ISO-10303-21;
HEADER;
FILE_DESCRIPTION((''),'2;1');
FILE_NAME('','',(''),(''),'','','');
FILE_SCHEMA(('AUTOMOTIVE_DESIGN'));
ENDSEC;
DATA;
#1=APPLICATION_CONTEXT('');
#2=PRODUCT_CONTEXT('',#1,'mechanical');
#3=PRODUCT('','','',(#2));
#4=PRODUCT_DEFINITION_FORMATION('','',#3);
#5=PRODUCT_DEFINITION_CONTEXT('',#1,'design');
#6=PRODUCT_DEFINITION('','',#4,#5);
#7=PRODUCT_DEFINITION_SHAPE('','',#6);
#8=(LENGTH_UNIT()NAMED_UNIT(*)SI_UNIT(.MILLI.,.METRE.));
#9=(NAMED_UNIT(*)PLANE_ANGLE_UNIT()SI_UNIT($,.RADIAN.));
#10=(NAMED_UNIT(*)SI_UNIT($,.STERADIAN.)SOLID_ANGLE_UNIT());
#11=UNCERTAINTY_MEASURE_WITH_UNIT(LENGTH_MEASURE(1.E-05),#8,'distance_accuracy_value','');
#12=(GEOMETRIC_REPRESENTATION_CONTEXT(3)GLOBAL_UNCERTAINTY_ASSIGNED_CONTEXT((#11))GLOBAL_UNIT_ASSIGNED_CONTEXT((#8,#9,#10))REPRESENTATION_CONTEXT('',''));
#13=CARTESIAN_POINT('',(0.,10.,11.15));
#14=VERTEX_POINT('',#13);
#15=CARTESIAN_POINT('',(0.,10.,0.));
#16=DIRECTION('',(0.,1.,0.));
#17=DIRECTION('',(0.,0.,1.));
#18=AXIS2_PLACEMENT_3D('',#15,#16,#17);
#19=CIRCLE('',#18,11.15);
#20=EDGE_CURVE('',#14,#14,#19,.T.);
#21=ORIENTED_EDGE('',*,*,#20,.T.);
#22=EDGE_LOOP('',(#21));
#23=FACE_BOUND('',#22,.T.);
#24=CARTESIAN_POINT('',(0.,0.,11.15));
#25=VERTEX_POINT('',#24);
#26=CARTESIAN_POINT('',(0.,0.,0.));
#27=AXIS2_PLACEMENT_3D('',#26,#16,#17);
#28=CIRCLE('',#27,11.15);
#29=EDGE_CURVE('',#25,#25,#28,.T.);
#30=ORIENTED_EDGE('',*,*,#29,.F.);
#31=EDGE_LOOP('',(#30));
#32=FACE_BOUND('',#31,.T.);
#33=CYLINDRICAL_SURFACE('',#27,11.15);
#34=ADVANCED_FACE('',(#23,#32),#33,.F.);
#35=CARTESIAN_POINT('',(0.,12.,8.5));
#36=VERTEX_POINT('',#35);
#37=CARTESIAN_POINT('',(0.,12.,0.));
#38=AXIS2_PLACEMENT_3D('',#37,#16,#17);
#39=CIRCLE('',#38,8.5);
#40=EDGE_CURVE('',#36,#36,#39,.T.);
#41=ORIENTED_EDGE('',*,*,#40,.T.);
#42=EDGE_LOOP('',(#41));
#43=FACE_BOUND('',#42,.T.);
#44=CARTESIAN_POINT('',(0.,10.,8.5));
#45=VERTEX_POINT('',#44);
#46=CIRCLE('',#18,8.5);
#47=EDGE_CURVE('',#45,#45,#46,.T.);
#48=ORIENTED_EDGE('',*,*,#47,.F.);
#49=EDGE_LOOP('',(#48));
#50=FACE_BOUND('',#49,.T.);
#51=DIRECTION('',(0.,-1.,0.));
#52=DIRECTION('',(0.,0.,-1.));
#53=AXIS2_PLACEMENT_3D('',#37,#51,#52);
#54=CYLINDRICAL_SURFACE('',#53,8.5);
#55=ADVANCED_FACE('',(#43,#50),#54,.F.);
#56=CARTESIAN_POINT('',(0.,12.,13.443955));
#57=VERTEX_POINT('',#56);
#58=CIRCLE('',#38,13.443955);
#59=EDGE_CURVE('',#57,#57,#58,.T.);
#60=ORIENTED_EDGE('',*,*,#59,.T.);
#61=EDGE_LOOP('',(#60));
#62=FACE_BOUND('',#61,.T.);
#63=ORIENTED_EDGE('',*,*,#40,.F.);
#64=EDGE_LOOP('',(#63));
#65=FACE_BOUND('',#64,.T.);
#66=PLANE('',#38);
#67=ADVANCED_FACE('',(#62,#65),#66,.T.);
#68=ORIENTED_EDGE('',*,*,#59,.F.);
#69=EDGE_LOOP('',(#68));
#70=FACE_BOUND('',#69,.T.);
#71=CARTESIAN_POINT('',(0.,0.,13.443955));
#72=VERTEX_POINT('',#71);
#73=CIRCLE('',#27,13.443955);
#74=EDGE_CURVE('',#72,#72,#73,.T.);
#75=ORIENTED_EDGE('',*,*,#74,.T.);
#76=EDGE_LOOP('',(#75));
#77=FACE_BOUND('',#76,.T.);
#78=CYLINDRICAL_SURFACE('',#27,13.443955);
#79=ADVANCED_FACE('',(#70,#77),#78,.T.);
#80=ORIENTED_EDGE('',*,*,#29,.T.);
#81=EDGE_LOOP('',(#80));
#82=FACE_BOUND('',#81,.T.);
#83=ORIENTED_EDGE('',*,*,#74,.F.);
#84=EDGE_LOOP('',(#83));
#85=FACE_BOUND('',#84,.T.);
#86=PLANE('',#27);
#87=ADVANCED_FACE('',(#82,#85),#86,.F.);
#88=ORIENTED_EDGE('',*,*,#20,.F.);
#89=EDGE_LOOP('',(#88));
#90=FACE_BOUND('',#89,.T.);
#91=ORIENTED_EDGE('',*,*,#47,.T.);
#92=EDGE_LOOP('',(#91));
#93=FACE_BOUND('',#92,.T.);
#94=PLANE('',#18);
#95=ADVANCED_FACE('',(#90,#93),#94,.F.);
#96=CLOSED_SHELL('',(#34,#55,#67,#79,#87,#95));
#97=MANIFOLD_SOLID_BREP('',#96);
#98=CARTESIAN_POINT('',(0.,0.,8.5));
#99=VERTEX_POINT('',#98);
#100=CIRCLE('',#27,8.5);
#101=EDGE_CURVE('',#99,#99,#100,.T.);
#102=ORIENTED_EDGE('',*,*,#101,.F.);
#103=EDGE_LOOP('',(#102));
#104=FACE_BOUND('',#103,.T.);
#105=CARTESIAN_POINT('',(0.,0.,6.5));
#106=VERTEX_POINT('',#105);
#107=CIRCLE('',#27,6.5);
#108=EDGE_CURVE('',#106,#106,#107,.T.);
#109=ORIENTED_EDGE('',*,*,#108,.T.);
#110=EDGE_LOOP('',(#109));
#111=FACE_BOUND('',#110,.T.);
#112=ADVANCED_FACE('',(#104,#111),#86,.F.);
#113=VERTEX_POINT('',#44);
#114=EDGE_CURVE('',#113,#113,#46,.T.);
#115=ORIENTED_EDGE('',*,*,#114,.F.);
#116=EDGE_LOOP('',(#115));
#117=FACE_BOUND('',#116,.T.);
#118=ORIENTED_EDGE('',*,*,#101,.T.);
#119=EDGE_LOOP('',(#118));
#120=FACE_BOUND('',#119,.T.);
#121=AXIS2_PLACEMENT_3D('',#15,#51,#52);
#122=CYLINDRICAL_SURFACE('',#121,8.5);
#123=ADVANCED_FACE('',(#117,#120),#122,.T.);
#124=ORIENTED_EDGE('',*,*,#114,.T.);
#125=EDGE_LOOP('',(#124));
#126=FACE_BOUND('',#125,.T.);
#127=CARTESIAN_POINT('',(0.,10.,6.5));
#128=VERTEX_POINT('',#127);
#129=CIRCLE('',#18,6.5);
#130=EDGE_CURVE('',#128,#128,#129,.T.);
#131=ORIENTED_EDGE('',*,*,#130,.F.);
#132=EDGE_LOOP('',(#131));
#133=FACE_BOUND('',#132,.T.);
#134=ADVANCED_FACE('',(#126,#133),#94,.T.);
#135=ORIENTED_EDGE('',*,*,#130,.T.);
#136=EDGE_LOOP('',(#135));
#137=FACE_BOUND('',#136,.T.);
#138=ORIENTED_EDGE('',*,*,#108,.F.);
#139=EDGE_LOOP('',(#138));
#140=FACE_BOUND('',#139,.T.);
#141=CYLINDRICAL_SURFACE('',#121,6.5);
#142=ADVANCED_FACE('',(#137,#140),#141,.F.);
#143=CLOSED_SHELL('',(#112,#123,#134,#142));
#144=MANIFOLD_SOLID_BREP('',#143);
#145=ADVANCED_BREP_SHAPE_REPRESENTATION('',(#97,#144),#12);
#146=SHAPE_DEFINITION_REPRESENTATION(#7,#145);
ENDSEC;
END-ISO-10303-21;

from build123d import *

# Parameters (mm, degrees)
SKETCH1_R           = 8.5
SKETCH1_R_2         = 6.5
BOSS_EXTRUDE1_DEPTH = 10
SKETCH2_R           = 11.15
SKETCH2_R_2         = 8.5
BOSS_EXTRUDE2_DEPTH = 2
SKETCH3_R           = 13.443954772
SKETCH3_R_2         = 11.15
BOSS_EXTRUDE3_DEPTH = 12


with BuildPart() as part:
    # Sketch1 → Boss-Extrude1 (new body)
    with BuildSketch(Plane(origin=(0, 0, 0), x_dir=(1, 0, 0), z_dir=(0, 1, 0))):
        with Locations(Location((0, 0, 0), (0, 0, 270))):
            Circle(SKETCH1_R)
        with Locations(Location((0, 0, 0), (0, 0, 270))):
            Circle(SKETCH1_R_2, mode=Mode.SUBTRACT)
    extrude(amount=BOSS_EXTRUDE1_DEPTH)


with BuildPart() as body_2:
    # Sketch2 → Boss-Extrude2 (new body)
    with BuildSketch(Plane(origin=(0, 10, 0), x_dir=(1, 0, 0), z_dir=(0, 1, 0))):
        with Locations(Location((0, 0, 0), (0, 0, 270))):
            Circle(SKETCH2_R)
        with Locations(Location((0, 0, 0), (0, 0, 270))):
            Circle(SKETCH2_R_2, mode=Mode.SUBTRACT)
    extrude(amount=BOSS_EXTRUDE2_DEPTH)

    # Sketch3 → Boss-Extrude3 (add)
    with BuildSketch(Plane(origin=(0, 12, 0), x_dir=(1, 0, 0), z_dir=(0, 1, 0))):
        with Locations(Location((0, 0, 0), (0, 0, 270))):
            Circle(SKETCH3_R)
        with Locations(Location((0, 0, 0), (0, 0, 270))):
            Circle(SKETCH3_R_2, mode=Mode.SUBTRACT)
    extrude(amount=-BOSS_EXTRUDE3_DEPTH)


solid = Compound([part.part, body_2.part])
